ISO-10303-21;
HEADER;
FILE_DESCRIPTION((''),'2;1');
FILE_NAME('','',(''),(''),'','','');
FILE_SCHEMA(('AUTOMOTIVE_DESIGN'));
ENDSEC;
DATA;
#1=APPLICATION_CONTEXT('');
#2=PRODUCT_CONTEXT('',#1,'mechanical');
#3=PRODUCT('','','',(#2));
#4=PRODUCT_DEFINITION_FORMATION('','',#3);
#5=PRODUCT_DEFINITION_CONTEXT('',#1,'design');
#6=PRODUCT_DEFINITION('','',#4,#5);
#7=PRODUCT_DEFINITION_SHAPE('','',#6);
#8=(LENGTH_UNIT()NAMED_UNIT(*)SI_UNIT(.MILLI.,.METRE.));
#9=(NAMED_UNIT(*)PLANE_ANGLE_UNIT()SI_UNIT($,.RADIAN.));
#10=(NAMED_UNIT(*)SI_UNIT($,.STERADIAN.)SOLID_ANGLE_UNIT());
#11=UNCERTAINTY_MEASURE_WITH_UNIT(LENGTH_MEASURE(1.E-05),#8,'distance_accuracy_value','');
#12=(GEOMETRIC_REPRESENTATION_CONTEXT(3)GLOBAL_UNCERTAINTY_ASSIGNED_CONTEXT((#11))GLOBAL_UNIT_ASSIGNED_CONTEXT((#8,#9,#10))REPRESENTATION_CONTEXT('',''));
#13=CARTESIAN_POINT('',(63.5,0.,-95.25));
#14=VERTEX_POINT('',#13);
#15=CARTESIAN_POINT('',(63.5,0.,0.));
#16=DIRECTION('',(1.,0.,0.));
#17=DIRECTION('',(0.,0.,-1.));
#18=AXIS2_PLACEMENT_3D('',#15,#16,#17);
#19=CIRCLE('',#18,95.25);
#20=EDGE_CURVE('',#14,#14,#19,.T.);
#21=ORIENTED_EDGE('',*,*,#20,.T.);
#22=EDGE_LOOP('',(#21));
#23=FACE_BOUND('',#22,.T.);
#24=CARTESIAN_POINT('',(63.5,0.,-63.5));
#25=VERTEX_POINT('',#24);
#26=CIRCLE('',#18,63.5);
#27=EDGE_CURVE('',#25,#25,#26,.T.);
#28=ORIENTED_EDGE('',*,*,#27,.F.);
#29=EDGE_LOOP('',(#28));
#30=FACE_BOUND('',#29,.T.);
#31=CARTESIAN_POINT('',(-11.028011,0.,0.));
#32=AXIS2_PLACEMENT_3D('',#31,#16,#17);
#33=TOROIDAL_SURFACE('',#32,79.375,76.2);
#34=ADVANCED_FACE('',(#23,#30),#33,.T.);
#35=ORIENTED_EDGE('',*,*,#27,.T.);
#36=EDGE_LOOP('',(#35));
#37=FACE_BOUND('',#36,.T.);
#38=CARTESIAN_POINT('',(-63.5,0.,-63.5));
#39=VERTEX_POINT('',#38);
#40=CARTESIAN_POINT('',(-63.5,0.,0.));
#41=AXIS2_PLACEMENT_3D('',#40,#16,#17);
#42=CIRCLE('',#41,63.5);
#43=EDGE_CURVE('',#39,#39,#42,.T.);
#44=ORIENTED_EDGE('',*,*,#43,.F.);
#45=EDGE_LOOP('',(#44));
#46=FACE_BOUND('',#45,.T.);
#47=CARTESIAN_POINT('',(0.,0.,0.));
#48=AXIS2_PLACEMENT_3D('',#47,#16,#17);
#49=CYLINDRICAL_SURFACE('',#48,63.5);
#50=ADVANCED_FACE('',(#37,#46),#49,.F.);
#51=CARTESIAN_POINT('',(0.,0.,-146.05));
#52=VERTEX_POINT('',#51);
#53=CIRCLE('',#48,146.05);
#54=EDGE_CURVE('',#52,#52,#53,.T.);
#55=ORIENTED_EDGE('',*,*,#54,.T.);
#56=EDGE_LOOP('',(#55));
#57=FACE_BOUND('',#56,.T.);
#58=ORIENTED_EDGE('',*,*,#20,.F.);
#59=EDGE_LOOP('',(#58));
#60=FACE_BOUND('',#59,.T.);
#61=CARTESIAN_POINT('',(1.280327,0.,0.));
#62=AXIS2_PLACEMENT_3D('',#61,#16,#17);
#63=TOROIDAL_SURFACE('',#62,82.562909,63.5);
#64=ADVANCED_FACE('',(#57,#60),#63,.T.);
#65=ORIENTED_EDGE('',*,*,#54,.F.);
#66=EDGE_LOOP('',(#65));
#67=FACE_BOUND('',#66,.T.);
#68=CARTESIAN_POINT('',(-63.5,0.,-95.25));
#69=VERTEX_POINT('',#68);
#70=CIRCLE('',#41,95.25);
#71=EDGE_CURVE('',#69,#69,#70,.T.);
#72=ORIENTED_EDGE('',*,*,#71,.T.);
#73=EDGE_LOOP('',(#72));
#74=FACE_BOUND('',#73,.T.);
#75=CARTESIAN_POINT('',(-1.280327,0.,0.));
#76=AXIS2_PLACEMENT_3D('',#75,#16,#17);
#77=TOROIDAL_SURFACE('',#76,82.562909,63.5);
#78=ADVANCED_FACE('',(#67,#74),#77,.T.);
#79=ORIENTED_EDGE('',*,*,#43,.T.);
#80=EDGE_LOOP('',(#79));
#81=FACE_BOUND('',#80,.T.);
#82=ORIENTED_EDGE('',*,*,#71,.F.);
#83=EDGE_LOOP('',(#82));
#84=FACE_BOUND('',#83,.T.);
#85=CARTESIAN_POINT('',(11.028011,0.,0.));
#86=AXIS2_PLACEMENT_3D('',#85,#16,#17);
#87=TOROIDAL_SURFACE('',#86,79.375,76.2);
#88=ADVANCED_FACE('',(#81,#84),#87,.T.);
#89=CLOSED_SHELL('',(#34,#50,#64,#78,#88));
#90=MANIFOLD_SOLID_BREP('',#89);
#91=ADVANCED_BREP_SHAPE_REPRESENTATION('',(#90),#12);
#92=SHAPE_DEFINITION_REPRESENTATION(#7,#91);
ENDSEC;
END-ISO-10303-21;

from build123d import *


with BuildPart() as part:
    # Sketch2 → Revolve1 (revolve)
    with BuildSketch(Plane.XY):
        with BuildLine():
            Line((-63.5, 63.5), (63.5, 63.5))
            ThreePointArc((63.5, 63.5), (65.171989326, 79.375), (63.5, 95.25))
            ThreePointArc((63.5, 95.25), (40.948462472, 132.14807809), (0, 146.05))
            ThreePointArc((0, 146.05), (-40.948462472, 132.14807809), (-63.5, 95.25))
            ThreePointArc((-63.5, 95.25), (-65.171989326, 79.375), (-63.5, 63.5))
        make_face()
    revolve(axis=Axis((0, 0, 0), (-1, 0, 0)))


solid = part.part
